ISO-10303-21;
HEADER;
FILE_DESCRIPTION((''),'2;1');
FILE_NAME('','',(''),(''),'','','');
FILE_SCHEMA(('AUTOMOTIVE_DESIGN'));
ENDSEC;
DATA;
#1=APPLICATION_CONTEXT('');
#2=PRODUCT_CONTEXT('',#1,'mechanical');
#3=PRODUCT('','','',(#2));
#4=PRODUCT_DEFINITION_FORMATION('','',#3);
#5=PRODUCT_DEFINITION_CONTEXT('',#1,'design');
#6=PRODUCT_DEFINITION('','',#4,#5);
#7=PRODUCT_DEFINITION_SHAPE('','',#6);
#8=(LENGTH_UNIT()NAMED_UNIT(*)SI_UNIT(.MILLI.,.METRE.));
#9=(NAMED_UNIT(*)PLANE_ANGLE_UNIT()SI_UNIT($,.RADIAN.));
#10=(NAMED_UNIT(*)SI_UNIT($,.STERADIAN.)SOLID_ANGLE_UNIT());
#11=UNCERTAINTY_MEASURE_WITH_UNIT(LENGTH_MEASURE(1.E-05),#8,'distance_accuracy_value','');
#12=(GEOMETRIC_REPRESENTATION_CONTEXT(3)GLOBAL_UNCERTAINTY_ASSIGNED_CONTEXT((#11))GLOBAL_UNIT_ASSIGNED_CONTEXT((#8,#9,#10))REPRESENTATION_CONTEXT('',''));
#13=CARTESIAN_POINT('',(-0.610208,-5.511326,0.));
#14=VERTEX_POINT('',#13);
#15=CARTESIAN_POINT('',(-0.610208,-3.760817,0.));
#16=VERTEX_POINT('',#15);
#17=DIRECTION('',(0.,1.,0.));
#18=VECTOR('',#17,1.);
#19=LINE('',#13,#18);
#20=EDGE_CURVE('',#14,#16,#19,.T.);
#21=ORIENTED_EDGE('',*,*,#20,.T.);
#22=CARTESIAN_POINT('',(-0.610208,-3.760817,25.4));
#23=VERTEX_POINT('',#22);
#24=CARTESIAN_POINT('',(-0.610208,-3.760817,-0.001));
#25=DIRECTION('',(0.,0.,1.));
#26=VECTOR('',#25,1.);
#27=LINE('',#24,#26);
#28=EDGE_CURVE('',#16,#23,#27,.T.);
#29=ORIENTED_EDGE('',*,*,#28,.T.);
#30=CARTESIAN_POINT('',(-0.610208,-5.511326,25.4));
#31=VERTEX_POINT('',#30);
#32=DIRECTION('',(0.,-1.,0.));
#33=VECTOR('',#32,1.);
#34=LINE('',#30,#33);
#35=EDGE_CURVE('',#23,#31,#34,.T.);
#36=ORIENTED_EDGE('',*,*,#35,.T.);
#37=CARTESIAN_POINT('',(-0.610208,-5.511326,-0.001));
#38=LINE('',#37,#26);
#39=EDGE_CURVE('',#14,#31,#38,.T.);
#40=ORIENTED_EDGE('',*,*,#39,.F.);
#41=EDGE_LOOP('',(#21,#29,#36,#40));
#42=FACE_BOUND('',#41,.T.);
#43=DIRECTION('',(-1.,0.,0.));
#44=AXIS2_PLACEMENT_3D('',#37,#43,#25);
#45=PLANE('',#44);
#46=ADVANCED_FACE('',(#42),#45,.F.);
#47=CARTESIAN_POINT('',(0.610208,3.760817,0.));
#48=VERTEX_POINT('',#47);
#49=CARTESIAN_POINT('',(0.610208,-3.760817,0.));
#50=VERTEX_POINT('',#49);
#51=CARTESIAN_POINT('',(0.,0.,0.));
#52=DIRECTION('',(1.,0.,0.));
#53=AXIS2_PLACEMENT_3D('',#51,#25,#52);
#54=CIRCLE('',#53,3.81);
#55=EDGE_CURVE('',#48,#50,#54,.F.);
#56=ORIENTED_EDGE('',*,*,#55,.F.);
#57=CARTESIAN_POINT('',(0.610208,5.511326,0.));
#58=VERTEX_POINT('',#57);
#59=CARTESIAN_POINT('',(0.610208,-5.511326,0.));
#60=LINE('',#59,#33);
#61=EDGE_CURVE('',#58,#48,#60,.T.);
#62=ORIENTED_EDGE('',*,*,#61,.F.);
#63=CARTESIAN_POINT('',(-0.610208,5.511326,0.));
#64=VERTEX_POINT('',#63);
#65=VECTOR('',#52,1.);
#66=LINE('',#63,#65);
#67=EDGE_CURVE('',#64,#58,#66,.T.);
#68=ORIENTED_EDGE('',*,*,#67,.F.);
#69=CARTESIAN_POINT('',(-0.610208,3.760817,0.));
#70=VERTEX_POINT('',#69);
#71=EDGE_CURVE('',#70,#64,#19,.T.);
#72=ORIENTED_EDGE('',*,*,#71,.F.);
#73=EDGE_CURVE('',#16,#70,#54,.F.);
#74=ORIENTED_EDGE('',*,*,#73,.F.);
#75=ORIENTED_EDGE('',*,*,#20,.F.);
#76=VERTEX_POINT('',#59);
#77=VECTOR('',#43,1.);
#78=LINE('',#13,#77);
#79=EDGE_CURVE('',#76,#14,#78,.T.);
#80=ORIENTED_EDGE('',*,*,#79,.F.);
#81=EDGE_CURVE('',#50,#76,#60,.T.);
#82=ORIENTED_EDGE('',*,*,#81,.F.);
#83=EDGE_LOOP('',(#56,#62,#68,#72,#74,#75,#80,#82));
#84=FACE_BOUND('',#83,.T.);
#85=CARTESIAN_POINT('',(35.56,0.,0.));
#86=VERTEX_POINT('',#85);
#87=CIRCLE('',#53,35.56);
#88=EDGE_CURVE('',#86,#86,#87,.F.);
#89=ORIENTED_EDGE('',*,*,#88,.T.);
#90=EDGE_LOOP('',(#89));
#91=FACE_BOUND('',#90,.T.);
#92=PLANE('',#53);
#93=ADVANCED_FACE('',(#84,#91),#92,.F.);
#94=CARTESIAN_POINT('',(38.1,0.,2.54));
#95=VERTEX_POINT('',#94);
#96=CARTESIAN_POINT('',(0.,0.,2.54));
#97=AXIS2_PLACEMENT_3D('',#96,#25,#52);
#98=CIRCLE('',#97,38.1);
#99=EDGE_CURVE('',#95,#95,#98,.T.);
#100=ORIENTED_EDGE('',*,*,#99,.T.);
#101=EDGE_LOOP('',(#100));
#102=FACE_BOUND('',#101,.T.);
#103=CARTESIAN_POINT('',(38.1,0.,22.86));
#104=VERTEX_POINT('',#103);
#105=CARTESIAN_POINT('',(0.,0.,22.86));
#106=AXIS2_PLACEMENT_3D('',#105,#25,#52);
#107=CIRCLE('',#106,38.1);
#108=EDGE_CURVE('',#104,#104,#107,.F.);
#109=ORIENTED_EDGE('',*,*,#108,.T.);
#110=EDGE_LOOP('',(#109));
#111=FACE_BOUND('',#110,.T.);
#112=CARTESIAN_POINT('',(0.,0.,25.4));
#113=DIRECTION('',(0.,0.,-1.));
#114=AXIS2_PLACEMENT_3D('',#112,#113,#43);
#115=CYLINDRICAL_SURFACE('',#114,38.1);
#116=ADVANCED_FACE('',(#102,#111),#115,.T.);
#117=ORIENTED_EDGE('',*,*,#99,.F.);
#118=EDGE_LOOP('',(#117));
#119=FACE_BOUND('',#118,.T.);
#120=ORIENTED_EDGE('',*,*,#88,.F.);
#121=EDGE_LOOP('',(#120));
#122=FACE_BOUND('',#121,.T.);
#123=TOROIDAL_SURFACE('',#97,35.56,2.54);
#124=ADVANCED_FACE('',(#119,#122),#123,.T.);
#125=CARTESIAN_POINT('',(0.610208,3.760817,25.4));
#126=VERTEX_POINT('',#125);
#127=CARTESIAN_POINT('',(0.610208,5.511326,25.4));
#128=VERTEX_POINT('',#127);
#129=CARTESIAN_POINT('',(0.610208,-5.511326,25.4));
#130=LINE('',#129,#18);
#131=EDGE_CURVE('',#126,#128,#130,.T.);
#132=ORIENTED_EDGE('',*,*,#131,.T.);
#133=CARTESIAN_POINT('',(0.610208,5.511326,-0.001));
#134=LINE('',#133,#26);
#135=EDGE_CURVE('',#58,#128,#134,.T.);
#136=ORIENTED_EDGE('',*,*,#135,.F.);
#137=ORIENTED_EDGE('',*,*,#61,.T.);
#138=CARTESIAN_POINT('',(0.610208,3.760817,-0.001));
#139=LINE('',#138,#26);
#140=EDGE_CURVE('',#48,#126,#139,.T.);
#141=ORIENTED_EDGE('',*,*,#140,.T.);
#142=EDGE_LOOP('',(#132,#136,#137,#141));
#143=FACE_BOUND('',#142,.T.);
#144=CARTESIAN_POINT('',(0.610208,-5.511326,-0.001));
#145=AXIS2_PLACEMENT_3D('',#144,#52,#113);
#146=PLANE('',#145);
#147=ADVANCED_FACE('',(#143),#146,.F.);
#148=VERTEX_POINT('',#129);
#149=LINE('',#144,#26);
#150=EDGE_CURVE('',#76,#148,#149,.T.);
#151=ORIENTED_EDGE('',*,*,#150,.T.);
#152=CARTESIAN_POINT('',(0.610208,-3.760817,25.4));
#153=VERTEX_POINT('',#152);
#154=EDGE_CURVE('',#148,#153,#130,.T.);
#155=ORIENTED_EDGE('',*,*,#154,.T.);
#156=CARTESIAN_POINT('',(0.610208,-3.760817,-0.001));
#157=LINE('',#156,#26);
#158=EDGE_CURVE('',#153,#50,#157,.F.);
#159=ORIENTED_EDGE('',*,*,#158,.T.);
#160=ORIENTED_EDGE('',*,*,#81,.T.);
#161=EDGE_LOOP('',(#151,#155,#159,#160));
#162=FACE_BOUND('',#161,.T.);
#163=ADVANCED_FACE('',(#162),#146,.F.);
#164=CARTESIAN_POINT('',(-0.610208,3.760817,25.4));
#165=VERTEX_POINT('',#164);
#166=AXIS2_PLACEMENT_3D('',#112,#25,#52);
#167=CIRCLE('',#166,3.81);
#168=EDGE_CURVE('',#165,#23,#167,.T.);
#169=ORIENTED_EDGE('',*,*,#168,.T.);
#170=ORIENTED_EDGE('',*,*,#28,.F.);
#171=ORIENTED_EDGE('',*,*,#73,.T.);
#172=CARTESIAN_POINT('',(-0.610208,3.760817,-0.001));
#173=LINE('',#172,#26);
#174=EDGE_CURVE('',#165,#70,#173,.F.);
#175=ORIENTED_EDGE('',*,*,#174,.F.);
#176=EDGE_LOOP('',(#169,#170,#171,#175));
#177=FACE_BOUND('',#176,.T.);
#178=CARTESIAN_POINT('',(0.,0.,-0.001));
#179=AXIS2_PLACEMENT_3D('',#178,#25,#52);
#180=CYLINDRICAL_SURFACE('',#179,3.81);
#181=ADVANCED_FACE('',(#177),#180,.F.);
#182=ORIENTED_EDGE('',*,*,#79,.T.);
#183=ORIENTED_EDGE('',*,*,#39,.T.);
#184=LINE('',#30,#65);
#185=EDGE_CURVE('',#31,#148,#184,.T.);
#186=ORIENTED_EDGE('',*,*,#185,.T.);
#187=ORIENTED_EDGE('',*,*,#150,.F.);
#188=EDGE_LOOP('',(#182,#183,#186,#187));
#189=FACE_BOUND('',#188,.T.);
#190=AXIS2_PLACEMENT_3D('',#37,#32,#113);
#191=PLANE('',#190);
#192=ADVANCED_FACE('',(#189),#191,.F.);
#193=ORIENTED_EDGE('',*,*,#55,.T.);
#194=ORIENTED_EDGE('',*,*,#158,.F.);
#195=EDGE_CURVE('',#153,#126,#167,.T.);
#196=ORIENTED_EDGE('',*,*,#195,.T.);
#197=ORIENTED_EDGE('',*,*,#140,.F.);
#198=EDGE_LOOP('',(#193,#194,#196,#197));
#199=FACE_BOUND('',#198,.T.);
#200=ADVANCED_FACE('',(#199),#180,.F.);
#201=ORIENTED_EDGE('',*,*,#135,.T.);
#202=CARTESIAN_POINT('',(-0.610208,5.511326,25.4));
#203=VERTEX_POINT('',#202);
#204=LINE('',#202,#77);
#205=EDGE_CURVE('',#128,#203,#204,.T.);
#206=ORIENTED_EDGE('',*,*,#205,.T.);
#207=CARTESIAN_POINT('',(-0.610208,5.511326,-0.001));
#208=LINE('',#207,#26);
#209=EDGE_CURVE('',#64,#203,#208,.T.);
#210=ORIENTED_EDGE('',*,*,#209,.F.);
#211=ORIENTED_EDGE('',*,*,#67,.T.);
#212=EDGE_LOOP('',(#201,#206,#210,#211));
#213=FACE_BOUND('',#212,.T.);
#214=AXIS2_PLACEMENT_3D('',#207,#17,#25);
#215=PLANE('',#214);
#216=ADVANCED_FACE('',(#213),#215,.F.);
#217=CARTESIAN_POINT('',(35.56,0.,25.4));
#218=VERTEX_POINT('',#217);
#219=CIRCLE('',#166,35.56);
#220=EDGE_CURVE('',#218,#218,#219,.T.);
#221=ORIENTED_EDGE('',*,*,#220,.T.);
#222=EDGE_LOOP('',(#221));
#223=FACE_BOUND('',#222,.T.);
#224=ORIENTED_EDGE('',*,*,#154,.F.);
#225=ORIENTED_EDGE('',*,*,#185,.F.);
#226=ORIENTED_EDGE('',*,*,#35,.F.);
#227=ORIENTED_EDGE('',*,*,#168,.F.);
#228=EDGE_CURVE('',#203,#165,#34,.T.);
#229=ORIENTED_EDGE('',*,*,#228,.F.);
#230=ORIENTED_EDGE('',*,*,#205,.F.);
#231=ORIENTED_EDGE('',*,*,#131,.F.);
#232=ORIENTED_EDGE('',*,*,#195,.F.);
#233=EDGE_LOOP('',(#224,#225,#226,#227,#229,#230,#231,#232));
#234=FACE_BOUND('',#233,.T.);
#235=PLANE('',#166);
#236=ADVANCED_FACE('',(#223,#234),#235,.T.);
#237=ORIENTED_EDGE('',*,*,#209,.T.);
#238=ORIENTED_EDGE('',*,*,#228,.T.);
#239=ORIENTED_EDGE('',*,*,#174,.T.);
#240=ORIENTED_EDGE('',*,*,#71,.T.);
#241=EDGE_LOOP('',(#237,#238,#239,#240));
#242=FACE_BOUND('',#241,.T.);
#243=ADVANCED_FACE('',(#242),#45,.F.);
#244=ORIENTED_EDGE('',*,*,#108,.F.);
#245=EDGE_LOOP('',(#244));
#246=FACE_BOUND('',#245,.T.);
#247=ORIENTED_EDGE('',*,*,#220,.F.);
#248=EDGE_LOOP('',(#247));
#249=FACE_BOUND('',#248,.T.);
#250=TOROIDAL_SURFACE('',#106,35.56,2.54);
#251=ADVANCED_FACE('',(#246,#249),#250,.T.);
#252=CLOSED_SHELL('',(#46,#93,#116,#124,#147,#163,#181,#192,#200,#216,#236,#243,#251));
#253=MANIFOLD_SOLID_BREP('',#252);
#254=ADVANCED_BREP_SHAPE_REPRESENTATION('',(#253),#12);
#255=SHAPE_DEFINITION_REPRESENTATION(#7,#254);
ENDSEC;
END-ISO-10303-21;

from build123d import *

# Parameters (mm, degrees)
SKETCH1_R           = 38.1
BOSS_EXTRUDE1_DEPTH = 25.4
CUT_EXTRUDE1_REACH  = 61.568
SKETCH2_R           = 3.81
FILLET1_R           = 2.54
FILLET2_R           = 2.54
CUT_EXTRUDE2_START  = -25.4
SKETCH3_W           = 1.220415144
SKETCH3_H           = 11.022652864
CUT_EXTRUDE2_DEPTH  = 25.4


with BuildPart() as part:
    # Sketch1 → Boss-Extrude1 (new body)
    with BuildSketch(Plane.XY):
        Circle(SKETCH1_R)
    extrude(amount=BOSS_EXTRUDE1_DEPTH)

    # Sketch2 → Cut-Extrude1 (cut, up to next)
    with BuildSketch(Plane.XY.offset(25.4), mode=Mode.PRIVATE) as cut_extrude1_sk1:
        Circle(SKETCH2_R)
    cut_extrude1_tool1 = extrude(cut_extrude1_sk1.sketch, amount=-CUT_EXTRUDE1_REACH, mode=Mode.PRIVATE) & part.part
    add(cut_extrude1_tool1.solids().sort_by_distance((0, 0, 25.4))[0], mode=Mode.SUBTRACT)

    # Fillet1
    fillet1_edges = [part.edges().sort_by_distance(p)[0] for p in [
        (-38.1, 0, 25.4),
    ]]
    fillet(fillet1_edges, radius=FILLET1_R)

    # Fillet2
    fillet2_edges = [part.edges().sort_by_distance(p)[0] for p in [
        (-38.1, 0, 0),
    ]]
    fillet(fillet2_edges, radius=FILLET2_R)

    # Sketch3 → Cut-Extrude2 (cut)
    with BuildSketch(Plane.XY.offset(25.4).offset(CUT_EXTRUDE2_START)):
        Rectangle(SKETCH3_W, SKETCH3_H)
    extrude(amount=CUT_EXTRUDE2_DEPTH, mode=Mode.SUBTRACT)


solid = part.part
